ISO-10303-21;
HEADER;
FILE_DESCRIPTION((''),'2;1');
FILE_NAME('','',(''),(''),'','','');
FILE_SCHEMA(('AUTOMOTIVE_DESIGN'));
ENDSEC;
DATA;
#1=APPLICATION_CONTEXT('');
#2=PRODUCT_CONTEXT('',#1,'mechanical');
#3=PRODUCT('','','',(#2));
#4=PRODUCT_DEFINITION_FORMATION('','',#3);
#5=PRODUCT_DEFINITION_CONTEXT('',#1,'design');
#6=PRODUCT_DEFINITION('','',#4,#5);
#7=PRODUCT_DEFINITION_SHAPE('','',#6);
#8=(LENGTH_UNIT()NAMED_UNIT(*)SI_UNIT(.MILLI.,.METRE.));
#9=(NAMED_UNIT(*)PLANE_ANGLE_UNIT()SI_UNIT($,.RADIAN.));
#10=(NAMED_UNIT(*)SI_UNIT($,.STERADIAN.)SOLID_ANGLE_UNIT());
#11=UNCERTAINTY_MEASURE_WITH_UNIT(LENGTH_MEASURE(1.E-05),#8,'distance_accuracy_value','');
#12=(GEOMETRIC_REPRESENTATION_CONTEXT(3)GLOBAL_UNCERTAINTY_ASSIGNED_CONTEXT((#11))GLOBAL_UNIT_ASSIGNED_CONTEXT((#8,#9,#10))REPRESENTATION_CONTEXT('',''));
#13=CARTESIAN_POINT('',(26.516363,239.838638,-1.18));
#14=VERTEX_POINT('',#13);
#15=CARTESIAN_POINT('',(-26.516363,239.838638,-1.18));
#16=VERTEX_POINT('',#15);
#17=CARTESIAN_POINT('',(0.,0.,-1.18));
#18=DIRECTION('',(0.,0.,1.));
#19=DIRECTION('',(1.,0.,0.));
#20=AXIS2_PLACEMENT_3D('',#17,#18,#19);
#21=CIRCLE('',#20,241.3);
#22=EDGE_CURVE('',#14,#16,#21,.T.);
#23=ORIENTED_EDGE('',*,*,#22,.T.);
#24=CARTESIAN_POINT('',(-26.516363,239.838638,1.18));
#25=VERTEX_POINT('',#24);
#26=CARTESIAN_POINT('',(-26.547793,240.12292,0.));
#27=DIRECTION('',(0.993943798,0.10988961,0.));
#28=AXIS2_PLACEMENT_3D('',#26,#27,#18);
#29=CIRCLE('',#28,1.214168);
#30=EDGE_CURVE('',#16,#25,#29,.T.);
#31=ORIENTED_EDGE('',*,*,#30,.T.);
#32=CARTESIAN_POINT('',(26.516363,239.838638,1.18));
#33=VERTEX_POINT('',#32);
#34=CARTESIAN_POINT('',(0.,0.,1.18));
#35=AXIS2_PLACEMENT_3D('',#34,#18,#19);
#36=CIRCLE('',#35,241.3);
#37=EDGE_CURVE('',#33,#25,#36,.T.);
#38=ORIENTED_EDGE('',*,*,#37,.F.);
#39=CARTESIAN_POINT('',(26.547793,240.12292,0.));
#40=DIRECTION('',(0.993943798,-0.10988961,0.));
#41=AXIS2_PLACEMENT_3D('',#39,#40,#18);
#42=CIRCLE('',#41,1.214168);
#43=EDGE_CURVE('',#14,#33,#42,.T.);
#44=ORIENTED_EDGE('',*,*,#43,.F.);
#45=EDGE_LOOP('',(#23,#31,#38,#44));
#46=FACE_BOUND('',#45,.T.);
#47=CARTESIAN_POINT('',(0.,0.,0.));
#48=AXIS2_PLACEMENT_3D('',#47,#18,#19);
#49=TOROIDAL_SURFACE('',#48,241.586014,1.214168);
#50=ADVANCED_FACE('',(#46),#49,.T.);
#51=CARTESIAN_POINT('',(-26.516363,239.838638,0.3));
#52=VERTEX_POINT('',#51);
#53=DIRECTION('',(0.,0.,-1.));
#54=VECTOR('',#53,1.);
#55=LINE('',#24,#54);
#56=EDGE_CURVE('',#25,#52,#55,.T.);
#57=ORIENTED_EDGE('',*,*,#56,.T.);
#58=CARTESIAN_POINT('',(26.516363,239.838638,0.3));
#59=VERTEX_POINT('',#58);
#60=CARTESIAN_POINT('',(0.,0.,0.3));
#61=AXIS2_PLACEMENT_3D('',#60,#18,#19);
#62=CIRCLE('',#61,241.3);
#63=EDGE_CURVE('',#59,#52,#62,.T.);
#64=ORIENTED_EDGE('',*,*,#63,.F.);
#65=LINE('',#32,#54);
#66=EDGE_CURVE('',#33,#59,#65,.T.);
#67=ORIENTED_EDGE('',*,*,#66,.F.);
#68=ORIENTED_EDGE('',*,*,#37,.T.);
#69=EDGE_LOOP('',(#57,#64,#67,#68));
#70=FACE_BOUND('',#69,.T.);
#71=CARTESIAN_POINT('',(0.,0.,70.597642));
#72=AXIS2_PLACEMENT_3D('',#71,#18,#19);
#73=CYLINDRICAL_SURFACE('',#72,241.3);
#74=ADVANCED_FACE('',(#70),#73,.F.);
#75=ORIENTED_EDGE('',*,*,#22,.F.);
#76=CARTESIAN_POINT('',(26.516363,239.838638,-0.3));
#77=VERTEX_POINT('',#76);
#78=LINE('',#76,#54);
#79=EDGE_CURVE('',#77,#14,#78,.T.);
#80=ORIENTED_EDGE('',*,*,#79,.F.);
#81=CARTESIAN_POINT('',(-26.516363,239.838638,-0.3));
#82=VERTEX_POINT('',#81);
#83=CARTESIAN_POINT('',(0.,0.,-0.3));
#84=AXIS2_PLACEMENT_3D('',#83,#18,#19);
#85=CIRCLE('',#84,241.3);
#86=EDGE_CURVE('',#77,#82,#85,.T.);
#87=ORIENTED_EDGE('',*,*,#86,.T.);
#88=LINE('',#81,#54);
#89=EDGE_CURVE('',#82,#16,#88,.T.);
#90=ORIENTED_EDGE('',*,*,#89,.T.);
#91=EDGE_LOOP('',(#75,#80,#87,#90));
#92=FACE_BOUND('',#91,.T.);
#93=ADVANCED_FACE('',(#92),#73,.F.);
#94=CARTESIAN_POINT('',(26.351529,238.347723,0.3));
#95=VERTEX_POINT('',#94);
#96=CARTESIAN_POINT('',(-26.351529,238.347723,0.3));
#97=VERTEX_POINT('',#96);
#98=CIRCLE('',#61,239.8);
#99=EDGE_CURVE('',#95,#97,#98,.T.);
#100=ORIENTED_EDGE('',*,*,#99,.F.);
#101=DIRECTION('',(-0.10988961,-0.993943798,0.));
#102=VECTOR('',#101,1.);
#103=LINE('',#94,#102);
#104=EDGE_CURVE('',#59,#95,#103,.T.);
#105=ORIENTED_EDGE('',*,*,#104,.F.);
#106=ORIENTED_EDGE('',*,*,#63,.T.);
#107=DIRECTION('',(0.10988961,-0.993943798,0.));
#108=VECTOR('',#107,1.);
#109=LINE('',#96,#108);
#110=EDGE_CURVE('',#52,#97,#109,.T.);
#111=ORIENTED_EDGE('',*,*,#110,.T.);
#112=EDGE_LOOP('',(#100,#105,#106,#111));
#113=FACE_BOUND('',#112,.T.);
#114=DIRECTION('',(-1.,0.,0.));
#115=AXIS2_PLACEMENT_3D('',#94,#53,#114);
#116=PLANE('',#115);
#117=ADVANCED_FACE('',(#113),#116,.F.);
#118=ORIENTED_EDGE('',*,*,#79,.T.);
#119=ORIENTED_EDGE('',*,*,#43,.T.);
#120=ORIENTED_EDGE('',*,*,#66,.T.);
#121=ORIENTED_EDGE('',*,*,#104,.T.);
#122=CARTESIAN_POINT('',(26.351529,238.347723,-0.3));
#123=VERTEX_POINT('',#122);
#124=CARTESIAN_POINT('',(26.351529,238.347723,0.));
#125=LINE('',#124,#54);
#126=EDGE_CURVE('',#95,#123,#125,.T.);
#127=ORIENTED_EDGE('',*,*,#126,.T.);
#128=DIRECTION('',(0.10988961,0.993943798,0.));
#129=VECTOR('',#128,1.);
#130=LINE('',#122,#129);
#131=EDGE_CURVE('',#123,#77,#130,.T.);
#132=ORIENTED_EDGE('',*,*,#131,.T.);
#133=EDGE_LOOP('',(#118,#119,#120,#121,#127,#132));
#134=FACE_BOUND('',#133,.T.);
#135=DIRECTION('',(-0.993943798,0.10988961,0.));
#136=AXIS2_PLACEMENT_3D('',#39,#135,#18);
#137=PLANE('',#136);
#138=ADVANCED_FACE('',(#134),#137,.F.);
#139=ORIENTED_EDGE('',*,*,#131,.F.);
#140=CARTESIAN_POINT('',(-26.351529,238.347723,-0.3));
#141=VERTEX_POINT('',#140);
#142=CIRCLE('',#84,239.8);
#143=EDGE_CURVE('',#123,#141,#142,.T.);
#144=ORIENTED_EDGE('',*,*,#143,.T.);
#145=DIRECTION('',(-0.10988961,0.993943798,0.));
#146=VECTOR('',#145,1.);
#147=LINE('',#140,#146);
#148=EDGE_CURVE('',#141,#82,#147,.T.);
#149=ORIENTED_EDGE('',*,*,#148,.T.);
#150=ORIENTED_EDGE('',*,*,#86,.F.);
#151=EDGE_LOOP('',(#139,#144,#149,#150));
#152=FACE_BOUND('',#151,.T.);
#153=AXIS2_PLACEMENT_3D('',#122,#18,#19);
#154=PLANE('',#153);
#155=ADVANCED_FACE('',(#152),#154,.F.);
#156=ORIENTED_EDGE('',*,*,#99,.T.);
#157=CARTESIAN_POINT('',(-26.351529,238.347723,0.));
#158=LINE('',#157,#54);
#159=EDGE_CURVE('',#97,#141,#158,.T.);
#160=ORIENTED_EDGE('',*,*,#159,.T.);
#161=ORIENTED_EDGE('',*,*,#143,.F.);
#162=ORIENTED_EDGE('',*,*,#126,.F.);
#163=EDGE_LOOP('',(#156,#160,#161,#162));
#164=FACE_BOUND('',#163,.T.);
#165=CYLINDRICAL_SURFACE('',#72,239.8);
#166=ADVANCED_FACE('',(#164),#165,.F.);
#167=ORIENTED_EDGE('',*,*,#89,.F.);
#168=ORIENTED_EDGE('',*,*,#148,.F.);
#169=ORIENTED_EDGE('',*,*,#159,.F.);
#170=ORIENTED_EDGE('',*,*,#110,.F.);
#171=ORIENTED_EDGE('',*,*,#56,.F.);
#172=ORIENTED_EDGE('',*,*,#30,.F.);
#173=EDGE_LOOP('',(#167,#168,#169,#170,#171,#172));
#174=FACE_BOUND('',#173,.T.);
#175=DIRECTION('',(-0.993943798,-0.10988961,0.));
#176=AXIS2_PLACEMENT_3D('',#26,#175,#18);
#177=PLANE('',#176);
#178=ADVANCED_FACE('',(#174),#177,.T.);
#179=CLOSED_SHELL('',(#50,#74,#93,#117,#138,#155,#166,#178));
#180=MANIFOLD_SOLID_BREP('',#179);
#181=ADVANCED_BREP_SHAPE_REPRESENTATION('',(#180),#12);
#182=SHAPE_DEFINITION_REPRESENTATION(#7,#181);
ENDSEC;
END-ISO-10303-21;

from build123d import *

# Parameters (mm, degrees)
REVOLVE1_ANGLE           = 6.308952124
REVOLVE1_OTHER_WAY_ANGLE = 6.308952124


with BuildPart() as part:
    # Sketch2 → Revolve1 (revolve)
    with BuildSketch(Plane(origin=(0, 0, 0), x_dir=(0, 0, -1), z_dir=(1, 0, 0))):
        with BuildLine():
            Line((0, 239.8), (0.3, 239.8))
            Line((0.3, 239.8), (0.3, 241.3))
            Line((0.3, 241.3), (1.18, 241.3))
            ThreePointArc((1.18, 241.3), (0, 242.800182019), (-1.18, 241.3))
            Line((-1.18, 241.3), (-0.3, 241.3))
            Line((-0.3, 241.3), (-0.3, 239.8))
            Line((-0.3, 239.8), (0, 239.8))
        make_face()
    revolve(axis=Axis((0, 0, 70.597641597), (0, 0, -1)), revolution_arc=REVOLVE1_ANGLE)

    # Sketch2 → Revolve1 other way (revolve)
    with BuildSketch(Plane(origin=(0, 0, 0), x_dir=(0, 0, -1), z_dir=(1, 0, 0))):
        with BuildLine():
            Line((0, 239.8), (0.3, 239.8))
            Line((0.3, 239.8), (0.3, 241.3))
            Line((0.3, 241.3), (1.18, 241.3))
            ThreePointArc((1.18, 241.3), (0, 242.800182019), (-1.18, 241.3))
            Line((-1.18, 241.3), (-0.3, 241.3))
            Line((-0.3, 241.3), (-0.3, 239.8))
            Line((-0.3, 239.8), (0, 239.8))
        make_face()
    revolve(axis=Axis((0, 0, 70.597641597), (0, 0, 1)), revolution_arc=REVOLVE1_OTHER_WAY_ANGLE)


solid = part.part
